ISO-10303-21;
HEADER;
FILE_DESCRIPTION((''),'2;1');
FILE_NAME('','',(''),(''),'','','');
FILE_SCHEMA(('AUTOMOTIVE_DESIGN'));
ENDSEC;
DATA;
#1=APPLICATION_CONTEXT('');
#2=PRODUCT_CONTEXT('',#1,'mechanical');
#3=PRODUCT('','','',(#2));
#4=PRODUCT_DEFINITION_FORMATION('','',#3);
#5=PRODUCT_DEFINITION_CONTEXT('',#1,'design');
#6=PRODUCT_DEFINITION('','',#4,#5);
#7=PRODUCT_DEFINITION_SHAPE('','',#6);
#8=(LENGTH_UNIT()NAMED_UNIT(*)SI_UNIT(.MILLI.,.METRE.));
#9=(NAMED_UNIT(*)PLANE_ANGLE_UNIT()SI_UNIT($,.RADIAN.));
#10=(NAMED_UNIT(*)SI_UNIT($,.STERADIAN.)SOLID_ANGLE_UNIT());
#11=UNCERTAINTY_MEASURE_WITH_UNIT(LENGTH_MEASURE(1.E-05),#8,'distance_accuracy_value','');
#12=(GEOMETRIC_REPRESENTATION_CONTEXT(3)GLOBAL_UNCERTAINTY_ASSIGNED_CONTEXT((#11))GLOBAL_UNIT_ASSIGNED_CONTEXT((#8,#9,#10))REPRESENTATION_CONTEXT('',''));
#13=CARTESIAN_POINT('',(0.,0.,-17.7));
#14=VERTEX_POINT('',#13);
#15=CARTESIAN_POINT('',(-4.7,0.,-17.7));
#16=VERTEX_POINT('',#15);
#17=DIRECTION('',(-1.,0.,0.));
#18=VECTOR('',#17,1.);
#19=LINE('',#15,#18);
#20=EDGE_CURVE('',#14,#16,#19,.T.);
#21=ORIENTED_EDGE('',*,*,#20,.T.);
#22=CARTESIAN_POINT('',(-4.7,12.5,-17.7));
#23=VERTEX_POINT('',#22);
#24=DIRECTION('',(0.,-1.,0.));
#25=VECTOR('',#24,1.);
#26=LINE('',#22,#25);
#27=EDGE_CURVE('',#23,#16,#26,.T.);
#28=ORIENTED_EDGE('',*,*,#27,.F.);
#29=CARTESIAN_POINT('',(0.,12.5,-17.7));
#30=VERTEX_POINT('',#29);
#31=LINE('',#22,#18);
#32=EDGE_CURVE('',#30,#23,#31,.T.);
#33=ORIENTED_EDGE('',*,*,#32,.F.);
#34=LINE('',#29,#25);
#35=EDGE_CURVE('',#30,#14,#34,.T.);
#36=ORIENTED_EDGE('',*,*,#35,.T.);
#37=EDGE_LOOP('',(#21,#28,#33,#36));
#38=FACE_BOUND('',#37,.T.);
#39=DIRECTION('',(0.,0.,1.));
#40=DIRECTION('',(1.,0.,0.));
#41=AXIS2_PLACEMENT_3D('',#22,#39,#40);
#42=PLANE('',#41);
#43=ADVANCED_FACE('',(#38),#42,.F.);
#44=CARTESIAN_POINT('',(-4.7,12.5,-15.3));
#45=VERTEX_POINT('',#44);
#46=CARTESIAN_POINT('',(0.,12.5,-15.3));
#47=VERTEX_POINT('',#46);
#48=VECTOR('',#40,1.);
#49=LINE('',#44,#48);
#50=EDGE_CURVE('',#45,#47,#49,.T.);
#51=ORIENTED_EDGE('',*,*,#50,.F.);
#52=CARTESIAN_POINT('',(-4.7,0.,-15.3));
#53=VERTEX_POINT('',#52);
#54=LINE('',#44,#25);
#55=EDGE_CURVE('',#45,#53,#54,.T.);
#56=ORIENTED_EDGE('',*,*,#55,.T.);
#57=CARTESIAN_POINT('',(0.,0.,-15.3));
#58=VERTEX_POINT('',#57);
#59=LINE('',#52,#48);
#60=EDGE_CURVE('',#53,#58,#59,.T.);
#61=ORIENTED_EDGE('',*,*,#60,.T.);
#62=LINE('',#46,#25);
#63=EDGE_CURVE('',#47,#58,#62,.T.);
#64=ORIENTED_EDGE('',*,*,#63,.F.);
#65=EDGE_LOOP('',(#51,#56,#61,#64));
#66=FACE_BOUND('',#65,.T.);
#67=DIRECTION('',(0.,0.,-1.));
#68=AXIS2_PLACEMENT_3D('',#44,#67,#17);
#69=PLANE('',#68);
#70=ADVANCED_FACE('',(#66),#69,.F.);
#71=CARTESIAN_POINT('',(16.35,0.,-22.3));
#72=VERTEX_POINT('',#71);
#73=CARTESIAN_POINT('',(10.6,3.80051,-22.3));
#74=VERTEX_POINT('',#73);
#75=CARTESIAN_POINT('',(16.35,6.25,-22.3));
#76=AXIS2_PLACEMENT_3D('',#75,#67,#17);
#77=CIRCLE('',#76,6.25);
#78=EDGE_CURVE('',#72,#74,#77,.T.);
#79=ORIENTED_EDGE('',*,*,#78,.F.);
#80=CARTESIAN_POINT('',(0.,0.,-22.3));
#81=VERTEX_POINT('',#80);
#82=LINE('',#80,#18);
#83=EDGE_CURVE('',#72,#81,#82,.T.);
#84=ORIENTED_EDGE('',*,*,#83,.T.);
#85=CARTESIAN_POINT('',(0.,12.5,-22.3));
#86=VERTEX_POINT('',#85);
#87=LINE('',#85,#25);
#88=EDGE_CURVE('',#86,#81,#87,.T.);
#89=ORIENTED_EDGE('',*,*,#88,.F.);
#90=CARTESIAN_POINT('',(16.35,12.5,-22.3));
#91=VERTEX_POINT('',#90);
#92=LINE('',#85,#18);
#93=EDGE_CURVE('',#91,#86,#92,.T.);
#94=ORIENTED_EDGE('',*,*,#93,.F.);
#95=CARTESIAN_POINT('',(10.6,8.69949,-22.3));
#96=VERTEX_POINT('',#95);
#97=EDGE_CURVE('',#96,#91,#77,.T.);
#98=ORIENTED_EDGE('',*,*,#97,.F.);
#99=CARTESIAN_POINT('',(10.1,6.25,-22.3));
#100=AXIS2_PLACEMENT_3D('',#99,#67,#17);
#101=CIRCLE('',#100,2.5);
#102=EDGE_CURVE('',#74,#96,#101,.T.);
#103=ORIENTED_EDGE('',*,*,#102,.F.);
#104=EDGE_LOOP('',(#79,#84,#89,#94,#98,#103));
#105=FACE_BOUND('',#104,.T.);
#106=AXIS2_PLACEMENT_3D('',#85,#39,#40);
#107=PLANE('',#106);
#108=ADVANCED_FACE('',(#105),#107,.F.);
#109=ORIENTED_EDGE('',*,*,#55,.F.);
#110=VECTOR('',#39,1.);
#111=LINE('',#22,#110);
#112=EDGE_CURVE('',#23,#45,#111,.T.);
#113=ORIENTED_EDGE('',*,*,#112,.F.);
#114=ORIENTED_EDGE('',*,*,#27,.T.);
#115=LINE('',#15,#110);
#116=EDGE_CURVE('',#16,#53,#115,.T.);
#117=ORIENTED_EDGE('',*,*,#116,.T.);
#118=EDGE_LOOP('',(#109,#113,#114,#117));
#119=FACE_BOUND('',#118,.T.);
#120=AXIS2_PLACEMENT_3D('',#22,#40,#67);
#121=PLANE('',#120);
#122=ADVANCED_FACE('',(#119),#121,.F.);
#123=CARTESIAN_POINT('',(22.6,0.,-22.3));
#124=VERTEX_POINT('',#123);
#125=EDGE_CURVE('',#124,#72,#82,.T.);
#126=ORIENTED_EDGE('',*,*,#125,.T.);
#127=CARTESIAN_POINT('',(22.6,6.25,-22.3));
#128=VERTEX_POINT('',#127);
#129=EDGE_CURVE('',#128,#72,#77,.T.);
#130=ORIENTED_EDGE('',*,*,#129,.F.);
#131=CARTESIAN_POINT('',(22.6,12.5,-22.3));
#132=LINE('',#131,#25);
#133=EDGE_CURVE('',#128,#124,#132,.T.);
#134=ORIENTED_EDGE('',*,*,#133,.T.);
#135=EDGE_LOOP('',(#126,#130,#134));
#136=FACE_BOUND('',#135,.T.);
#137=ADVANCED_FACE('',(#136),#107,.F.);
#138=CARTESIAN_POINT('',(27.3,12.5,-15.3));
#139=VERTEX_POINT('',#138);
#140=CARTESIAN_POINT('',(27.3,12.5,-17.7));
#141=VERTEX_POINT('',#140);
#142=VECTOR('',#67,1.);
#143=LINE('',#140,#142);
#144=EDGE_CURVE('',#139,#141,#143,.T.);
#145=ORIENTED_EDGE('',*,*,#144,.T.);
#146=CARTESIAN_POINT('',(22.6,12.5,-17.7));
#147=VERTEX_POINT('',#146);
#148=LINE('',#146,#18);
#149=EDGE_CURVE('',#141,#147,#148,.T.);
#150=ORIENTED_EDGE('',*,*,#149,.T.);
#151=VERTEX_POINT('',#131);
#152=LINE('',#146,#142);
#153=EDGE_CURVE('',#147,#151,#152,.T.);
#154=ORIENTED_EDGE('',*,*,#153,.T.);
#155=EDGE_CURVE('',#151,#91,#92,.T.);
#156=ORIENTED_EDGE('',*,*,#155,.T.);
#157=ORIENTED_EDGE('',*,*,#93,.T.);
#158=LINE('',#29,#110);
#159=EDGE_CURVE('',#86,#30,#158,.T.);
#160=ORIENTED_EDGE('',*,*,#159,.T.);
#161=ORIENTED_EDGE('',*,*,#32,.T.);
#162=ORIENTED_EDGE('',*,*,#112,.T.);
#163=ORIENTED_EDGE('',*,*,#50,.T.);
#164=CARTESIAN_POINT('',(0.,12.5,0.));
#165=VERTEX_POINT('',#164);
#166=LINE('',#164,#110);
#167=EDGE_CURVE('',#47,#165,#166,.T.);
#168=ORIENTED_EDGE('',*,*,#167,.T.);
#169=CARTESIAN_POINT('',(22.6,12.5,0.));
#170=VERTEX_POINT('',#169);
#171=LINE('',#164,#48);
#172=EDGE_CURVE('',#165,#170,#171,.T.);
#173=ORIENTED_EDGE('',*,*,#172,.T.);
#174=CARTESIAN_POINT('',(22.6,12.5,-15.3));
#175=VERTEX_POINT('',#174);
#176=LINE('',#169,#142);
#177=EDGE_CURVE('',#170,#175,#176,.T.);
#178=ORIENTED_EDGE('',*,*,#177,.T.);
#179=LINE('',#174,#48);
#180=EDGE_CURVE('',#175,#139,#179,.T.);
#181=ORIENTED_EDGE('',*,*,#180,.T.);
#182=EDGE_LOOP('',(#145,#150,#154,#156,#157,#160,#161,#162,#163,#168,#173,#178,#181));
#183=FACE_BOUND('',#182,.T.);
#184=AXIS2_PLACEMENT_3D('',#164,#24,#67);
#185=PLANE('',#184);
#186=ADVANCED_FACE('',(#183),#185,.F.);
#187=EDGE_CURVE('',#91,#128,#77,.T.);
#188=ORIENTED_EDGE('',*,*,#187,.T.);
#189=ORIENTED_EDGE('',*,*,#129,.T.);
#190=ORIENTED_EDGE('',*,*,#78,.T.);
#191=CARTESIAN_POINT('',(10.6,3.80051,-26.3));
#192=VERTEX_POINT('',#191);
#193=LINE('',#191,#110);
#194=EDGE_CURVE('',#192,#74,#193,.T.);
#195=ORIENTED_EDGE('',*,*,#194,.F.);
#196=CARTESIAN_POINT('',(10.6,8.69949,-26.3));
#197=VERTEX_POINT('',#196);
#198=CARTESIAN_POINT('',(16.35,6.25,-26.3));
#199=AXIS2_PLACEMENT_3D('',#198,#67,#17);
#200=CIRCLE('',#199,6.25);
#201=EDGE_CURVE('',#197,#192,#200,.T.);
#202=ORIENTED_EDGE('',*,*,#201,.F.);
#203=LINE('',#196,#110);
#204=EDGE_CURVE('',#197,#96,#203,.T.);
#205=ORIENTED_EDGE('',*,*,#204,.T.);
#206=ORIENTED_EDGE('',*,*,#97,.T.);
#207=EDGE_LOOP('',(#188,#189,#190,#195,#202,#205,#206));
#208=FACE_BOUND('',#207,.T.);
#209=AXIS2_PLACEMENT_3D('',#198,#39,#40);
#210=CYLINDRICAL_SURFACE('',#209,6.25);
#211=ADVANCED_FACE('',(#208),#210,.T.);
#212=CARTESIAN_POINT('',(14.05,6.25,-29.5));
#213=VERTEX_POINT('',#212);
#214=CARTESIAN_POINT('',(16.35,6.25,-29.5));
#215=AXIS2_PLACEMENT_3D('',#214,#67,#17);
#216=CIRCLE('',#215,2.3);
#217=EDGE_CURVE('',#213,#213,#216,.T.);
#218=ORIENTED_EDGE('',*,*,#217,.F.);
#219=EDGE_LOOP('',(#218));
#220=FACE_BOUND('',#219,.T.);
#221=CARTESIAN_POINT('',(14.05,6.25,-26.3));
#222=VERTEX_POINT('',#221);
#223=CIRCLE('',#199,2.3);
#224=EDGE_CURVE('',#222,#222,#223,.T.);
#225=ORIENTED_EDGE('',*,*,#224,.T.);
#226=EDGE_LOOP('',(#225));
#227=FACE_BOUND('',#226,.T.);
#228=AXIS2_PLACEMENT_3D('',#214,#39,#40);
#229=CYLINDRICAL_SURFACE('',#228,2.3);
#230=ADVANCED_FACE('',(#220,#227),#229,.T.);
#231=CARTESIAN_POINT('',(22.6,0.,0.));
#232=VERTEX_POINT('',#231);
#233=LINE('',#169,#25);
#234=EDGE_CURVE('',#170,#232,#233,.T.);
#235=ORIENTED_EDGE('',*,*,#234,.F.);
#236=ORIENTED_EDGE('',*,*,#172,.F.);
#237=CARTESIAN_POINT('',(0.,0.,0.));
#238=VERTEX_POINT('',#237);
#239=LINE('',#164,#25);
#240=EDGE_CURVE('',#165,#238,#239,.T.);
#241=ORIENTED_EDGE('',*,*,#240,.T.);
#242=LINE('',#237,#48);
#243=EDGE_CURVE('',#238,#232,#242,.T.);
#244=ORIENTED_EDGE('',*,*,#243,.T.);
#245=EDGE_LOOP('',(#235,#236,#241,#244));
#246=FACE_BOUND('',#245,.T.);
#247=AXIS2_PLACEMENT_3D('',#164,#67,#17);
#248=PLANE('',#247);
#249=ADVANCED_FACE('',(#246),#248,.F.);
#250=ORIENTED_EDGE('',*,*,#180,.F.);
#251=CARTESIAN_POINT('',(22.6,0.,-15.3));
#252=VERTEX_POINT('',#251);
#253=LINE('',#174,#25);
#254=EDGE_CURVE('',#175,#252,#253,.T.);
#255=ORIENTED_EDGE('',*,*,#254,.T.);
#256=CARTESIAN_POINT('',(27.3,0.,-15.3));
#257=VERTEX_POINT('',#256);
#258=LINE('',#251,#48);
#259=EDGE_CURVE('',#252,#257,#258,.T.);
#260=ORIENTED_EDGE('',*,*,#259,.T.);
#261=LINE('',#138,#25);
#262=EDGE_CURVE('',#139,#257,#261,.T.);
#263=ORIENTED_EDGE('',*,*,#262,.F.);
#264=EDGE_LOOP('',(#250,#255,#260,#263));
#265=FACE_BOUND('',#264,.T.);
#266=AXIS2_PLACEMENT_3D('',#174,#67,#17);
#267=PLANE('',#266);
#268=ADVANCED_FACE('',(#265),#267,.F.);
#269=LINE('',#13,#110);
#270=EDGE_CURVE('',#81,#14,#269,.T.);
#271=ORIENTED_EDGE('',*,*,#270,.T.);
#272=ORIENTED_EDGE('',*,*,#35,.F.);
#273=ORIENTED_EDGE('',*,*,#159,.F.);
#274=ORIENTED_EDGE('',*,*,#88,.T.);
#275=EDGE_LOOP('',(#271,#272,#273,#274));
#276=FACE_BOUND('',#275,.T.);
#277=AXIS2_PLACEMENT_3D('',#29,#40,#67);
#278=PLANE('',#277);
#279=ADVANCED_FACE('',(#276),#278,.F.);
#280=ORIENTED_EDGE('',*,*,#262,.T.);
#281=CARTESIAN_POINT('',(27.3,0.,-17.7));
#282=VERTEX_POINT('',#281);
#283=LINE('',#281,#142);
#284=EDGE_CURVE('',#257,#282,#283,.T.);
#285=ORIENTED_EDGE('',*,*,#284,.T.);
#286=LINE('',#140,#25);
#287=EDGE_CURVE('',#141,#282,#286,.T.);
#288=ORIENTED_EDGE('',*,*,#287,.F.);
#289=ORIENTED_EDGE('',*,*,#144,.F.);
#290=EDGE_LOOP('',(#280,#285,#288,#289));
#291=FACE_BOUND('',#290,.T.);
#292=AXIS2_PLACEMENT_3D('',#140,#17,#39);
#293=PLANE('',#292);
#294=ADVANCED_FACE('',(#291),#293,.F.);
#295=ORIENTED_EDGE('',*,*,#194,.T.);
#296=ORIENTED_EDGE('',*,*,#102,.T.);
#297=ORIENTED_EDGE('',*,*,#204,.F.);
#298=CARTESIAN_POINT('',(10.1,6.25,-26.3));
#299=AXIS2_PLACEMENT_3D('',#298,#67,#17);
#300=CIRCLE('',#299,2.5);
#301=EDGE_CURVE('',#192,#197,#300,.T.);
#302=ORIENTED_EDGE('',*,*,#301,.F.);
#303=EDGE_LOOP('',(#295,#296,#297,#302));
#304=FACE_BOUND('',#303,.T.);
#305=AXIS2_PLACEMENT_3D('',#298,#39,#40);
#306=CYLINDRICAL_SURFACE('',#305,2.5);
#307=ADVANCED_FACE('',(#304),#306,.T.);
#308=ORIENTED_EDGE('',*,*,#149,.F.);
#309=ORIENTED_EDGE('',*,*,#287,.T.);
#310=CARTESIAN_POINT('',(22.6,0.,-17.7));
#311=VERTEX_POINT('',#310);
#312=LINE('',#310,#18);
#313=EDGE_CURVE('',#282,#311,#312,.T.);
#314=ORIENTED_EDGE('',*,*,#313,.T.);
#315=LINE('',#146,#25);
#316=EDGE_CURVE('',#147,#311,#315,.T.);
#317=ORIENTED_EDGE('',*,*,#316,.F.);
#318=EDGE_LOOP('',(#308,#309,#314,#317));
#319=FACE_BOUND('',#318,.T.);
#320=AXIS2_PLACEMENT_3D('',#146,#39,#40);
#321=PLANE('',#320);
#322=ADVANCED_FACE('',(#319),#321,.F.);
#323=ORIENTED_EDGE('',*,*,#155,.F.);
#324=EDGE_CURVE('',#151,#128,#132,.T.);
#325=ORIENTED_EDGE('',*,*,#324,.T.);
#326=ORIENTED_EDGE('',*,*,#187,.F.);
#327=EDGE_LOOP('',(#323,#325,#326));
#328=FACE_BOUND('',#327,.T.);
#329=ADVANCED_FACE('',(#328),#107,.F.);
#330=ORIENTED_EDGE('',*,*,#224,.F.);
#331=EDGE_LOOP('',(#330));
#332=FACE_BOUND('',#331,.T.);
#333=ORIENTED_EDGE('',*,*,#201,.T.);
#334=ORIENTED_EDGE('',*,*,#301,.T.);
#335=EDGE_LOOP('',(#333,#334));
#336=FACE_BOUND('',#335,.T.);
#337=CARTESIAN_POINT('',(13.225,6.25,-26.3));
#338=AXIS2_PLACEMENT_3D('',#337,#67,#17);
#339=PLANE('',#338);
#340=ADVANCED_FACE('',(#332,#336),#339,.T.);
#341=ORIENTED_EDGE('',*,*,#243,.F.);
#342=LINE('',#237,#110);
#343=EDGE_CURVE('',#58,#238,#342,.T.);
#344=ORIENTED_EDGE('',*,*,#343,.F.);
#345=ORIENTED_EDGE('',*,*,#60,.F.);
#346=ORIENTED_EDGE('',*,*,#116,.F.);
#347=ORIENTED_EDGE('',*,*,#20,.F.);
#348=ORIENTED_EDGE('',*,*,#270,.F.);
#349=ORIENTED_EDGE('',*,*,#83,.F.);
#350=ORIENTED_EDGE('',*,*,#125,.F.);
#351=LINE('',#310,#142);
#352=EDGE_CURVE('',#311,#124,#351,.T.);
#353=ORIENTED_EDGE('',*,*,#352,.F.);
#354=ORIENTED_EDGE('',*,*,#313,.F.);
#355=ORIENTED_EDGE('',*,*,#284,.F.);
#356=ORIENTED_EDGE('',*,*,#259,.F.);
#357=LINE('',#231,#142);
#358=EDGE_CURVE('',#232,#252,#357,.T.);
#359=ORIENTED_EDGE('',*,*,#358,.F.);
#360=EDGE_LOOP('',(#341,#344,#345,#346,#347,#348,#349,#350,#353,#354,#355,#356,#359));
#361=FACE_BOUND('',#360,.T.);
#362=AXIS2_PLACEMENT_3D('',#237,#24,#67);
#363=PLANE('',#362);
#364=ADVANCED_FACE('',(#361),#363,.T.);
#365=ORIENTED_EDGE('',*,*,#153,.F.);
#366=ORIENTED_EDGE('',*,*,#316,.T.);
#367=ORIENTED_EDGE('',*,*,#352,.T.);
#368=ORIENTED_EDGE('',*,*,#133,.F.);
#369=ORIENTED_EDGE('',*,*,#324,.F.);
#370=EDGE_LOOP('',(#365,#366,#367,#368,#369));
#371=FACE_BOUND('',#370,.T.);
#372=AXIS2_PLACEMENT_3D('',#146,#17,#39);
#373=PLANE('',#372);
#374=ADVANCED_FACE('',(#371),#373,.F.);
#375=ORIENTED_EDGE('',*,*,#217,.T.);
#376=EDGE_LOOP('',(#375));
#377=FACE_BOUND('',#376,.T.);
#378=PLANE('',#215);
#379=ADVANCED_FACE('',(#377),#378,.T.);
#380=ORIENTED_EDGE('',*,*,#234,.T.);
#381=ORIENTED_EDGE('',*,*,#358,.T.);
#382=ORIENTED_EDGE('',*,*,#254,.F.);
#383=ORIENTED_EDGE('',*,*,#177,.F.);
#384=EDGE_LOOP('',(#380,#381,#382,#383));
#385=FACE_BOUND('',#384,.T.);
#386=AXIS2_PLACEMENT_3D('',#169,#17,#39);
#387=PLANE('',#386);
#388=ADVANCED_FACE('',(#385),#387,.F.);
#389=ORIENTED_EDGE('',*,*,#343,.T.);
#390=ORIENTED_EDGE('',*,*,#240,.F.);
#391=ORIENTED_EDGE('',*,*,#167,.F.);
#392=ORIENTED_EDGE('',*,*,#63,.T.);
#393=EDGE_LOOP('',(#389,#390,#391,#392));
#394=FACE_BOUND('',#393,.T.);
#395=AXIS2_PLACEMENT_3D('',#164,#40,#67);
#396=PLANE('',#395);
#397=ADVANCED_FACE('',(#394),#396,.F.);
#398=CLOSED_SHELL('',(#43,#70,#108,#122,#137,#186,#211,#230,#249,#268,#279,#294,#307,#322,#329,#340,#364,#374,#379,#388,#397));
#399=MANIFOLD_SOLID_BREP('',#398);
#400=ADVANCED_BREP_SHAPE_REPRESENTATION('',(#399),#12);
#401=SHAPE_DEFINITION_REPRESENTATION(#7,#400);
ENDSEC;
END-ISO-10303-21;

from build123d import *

# Parameters (mm, degrees)
BOSS_EXTRUDE1_DEPTH = 12.5
BOSS_EXTRUDE2_DEPTH = 4
SKETCH3_R           = 2.3
BOSS_EXTRUDE3_DEPTH = 3.2


with BuildPart() as part:
    # Sketch1 → Boss-Extrude1 (new body)
    with BuildSketch(Plane(origin=(0, 0, 0), x_dir=(1, 0, 0), z_dir=(0, 1, 0))):
        Polygon((0, 17.7), (0, 22.3), (22.6, 22.3), (22.6, 17.7), (27.3, 17.7), (27.3, 15.3), (22.6, 15.3), (22.6, 0), (0, 0), (0, 15.3), (-4.7, 15.3), (-4.7, 17.7), align=None)
    extrude(amount=BOSS_EXTRUDE1_DEPTH)

    # Sketch2 → Boss-Extrude2 (add)
    with BuildSketch(Plane(origin=(0, 0, -22.3), x_dir=(-1, 0, 0), z_dir=(0, 0, -1))):
        with BuildLine():
            ThreePointArc((-10.6, 8.699489743), (-22.6, 6.25), (-10.6, 3.800510257))
            ThreePointArc((-10.6, 3.800510257), (-7.6, 6.25), (-10.6, 8.699489743))
        make_face()
    extrude(amount=BOSS_EXTRUDE2_DEPTH)

    # Sketch3 → Boss-Extrude3 (add)
    with BuildSketch(Plane(origin=(0, 0, -26.3), x_dir=(-1, 0, 0), z_dir=(0, 0, -1))):
        with Locations((-16.35, 6.25)):
            Circle(SKETCH3_R)
    extrude(amount=BOSS_EXTRUDE3_DEPTH)


solid = part.part
